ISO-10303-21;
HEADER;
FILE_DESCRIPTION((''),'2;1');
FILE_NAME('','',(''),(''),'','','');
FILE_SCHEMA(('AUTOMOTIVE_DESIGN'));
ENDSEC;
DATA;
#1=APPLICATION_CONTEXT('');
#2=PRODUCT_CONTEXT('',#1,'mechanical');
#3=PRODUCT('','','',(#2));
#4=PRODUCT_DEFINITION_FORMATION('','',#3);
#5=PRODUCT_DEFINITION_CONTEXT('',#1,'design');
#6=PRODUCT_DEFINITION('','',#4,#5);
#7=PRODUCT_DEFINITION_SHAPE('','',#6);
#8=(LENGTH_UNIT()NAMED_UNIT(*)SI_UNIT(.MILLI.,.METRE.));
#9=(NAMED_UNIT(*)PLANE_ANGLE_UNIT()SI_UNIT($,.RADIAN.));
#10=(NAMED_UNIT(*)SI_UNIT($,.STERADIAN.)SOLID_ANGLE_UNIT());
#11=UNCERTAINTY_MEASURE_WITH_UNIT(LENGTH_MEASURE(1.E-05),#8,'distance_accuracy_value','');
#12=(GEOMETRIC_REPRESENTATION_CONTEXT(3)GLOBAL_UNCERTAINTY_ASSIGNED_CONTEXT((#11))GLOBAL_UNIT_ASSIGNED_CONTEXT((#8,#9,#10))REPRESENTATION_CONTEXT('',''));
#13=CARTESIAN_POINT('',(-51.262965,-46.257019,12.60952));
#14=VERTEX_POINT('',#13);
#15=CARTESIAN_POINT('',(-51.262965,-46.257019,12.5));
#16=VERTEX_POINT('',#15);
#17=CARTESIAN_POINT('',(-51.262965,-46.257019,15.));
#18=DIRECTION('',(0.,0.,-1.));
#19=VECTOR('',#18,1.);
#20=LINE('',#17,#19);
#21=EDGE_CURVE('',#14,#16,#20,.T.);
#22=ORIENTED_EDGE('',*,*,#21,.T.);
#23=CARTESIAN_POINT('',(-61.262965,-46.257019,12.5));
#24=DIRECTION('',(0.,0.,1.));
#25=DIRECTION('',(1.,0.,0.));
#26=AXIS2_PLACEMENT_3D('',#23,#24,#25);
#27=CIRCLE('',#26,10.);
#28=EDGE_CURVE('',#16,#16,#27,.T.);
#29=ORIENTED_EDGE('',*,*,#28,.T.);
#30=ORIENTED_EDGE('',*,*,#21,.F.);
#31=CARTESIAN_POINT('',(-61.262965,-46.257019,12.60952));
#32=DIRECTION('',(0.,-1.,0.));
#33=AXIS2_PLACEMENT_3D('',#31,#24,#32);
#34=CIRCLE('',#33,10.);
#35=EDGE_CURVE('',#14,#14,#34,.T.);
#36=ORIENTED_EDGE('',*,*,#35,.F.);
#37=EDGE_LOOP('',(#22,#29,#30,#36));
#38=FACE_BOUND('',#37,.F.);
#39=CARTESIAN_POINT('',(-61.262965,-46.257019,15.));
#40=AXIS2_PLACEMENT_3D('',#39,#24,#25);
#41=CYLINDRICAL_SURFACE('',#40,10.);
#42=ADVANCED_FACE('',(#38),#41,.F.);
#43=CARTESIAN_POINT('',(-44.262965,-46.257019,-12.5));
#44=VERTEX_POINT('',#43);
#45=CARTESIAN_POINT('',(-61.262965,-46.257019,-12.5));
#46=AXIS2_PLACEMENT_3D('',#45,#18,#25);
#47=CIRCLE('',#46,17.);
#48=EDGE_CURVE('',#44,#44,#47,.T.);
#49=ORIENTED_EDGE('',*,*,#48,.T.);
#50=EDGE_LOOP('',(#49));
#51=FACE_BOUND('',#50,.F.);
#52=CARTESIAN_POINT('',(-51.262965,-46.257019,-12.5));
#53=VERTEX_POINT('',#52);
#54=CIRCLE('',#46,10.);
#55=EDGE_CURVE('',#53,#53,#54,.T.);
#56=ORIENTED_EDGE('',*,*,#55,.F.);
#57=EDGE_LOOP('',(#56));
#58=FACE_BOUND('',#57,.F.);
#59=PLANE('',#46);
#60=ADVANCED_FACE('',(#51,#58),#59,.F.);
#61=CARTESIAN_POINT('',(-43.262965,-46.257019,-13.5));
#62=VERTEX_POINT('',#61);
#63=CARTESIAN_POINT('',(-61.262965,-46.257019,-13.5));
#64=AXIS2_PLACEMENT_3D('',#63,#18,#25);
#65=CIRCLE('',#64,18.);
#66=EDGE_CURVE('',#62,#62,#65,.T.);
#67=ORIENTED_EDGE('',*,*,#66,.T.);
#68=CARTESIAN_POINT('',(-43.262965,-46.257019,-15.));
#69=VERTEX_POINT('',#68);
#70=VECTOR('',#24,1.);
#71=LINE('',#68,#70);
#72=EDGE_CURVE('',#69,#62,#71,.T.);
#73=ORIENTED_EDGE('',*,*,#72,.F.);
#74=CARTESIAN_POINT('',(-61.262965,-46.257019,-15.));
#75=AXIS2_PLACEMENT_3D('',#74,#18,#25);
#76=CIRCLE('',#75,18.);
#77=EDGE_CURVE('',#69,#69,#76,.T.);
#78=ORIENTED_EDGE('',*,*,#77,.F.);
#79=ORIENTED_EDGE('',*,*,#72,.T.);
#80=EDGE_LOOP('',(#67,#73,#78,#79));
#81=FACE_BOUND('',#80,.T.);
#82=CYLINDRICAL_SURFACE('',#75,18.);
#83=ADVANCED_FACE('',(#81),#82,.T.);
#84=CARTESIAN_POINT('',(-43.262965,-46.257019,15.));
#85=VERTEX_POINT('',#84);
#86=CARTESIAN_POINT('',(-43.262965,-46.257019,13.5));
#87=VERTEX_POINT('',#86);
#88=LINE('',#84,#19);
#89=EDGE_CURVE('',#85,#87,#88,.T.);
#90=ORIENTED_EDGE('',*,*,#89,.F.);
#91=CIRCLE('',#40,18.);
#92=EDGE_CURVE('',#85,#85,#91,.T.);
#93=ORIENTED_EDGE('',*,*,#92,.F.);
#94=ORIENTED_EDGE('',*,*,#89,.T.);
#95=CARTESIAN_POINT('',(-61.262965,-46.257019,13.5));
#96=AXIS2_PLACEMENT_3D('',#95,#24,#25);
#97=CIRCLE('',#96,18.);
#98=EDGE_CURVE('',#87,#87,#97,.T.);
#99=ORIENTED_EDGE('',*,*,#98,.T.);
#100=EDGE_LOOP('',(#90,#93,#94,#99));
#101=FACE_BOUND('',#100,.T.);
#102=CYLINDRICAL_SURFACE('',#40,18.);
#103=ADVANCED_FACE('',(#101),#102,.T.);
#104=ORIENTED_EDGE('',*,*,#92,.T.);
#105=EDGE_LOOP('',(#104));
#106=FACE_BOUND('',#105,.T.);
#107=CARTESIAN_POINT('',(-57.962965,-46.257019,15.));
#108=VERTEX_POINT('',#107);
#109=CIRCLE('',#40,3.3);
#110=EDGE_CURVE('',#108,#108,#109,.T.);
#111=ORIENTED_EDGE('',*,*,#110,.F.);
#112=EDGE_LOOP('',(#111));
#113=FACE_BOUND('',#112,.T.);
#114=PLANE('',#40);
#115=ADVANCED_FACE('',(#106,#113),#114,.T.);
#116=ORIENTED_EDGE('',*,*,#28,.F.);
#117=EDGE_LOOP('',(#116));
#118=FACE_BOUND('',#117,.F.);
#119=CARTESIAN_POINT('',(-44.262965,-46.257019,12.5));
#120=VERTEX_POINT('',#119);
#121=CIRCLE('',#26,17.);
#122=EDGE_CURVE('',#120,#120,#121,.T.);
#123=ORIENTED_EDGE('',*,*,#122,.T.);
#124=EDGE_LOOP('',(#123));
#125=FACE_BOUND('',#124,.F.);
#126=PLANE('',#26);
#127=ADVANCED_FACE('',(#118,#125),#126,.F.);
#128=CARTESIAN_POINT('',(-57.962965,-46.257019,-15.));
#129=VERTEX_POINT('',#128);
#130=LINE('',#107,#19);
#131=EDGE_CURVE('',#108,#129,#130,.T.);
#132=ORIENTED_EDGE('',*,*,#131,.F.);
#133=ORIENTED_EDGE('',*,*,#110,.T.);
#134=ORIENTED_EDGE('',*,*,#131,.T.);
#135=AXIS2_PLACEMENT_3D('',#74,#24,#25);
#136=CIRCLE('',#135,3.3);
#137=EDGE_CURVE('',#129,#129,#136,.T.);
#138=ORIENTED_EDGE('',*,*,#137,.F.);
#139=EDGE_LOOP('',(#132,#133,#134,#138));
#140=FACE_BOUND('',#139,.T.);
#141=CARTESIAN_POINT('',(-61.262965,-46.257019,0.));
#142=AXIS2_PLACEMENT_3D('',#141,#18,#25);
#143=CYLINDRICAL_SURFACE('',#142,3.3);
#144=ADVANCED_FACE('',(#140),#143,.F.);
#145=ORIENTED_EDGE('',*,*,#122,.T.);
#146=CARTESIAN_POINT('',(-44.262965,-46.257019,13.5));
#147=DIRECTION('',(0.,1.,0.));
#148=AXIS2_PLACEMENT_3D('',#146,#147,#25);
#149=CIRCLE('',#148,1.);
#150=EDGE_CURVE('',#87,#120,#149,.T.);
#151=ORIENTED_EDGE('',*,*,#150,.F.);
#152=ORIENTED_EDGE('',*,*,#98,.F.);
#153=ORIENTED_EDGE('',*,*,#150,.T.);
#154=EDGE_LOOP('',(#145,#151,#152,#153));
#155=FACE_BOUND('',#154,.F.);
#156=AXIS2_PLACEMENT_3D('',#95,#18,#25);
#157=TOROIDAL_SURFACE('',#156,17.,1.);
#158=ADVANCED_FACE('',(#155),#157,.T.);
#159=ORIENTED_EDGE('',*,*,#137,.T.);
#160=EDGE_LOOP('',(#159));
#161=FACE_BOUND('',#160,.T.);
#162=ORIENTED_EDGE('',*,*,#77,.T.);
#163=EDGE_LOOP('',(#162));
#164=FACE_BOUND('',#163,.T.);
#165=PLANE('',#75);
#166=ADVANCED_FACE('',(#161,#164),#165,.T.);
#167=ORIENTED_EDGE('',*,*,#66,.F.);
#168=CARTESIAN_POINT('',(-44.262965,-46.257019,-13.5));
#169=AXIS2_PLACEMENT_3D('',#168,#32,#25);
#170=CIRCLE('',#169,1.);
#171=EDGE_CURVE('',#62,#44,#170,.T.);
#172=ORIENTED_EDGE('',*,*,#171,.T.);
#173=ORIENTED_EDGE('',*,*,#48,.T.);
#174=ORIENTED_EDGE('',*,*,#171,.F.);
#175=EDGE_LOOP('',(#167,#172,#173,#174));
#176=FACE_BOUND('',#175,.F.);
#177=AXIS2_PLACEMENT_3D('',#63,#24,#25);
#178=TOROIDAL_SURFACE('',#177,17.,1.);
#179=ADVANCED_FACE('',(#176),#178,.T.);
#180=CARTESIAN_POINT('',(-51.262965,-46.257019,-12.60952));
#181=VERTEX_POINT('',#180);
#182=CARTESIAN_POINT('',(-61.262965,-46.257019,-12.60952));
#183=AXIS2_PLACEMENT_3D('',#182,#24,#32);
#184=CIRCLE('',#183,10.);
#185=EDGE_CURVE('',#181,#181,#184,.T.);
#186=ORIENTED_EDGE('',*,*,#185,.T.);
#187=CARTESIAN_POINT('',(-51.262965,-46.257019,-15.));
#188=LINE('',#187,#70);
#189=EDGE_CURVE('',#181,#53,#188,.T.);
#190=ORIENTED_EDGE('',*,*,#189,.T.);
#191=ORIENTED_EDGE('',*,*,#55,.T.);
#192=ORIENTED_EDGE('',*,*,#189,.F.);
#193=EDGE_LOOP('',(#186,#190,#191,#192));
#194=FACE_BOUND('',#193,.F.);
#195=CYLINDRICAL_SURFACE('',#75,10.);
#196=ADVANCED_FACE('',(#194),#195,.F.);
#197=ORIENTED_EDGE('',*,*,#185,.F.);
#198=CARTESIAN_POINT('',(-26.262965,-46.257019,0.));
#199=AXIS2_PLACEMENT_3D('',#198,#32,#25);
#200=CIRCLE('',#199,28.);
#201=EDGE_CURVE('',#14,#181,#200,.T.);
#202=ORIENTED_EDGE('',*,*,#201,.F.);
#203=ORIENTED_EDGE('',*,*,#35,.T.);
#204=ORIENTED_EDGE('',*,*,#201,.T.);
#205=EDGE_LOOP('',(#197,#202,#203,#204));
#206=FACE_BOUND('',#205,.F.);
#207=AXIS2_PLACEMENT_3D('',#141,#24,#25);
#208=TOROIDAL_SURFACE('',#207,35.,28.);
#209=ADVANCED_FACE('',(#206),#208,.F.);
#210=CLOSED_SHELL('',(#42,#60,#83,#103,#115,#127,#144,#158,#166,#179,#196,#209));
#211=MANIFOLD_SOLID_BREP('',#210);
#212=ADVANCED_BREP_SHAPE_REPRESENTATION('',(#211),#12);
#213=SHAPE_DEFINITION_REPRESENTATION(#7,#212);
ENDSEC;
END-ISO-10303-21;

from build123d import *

# Parameters (mm, degrees)
F0_R      = 10
F0_R_2    = 3.3
F1_DEPTH  = 15
F2_DEPTH  = 15
F4_R      = 28
F6_R      = 18
F6_R_2    = 10
F7_DEPTH  = 2.5
F8_R      = 1
F9_R      = 18
F9_R_2    = 10
F10_DEPTH = 2.5
F11_R     = 1


with BuildPart() as f1:
    # F0 (on Top) → F1 (new body)
    with BuildSketch(Plane.XY):
        with Locations((-61.262965, -46.257019)):
            Circle(F0_R)
        with Locations((-61.262965, -46.257019)):
            Circle(F0_R_2, mode=Mode.SUBTRACT)
    extrude(amount=F1_DEPTH)

    # F0 (on Top) → F2 (join)
    with BuildSketch(Plane.XY):
        with Locations((-61.262965, -46.257019)):
            Circle(F0_R)
        with Locations((-61.262965, -46.257019)):
            Circle(F0_R_2, mode=Mode.SUBTRACT)
    extrude(amount=-F2_DEPTH)

    # F5: sweep along a path in F0
    with BuildLine(Plane.XY) as f5_path:
        CenterArc((-61.262965, -46.257019), 10, 0, 360)
    # F4 (on face) → F5 (sweep, cut)
    with BuildSketch(Plane.XZ.offset(46.257019)):
        with Locations((-26.262965, 0)):
            Circle(F4_R)
    sweep(path=f5_path.line, mode=Mode.SUBTRACT)

    # F6 (on face) → F7 (join)
    with BuildSketch(Plane.XY.offset(15)):
        with Locations((-61.262965, -46.257019)):
            Circle(F6_R)
        with Locations((-61.262965, -46.257019)):
            Circle(F6_R_2, mode=Mode.SUBTRACT)
    extrude(amount=-F7_DEPTH)

    # F8
    f8_edges = [f1.edges().sort_by_distance(p)[0] for p in [
        (-79.262965, -46.257019, 12.5),
    ]]
    fillet(f8_edges, radius=F8_R)

    # F9 (on face) → F10 (join)
    with BuildSketch(Plane(origin=(0, 0, -15), x_dir=(1, 0, 0), z_dir=(0, 0, -1))):
        with Locations((-61.262965, 46.257019)):
            Circle(F9_R)
        with Locations((-61.262965, 46.257019)):
            Circle(F9_R_2, mode=Mode.SUBTRACT)
    extrude(amount=-F10_DEPTH)

    # F11
    f11_edges = [f1.edges().sort_by_distance(p)[0] for p in [
        (-79.262965, -46.257019, -12.5),
    ]]
    fillet(f11_edges, radius=F11_R)


solid = f1.part
